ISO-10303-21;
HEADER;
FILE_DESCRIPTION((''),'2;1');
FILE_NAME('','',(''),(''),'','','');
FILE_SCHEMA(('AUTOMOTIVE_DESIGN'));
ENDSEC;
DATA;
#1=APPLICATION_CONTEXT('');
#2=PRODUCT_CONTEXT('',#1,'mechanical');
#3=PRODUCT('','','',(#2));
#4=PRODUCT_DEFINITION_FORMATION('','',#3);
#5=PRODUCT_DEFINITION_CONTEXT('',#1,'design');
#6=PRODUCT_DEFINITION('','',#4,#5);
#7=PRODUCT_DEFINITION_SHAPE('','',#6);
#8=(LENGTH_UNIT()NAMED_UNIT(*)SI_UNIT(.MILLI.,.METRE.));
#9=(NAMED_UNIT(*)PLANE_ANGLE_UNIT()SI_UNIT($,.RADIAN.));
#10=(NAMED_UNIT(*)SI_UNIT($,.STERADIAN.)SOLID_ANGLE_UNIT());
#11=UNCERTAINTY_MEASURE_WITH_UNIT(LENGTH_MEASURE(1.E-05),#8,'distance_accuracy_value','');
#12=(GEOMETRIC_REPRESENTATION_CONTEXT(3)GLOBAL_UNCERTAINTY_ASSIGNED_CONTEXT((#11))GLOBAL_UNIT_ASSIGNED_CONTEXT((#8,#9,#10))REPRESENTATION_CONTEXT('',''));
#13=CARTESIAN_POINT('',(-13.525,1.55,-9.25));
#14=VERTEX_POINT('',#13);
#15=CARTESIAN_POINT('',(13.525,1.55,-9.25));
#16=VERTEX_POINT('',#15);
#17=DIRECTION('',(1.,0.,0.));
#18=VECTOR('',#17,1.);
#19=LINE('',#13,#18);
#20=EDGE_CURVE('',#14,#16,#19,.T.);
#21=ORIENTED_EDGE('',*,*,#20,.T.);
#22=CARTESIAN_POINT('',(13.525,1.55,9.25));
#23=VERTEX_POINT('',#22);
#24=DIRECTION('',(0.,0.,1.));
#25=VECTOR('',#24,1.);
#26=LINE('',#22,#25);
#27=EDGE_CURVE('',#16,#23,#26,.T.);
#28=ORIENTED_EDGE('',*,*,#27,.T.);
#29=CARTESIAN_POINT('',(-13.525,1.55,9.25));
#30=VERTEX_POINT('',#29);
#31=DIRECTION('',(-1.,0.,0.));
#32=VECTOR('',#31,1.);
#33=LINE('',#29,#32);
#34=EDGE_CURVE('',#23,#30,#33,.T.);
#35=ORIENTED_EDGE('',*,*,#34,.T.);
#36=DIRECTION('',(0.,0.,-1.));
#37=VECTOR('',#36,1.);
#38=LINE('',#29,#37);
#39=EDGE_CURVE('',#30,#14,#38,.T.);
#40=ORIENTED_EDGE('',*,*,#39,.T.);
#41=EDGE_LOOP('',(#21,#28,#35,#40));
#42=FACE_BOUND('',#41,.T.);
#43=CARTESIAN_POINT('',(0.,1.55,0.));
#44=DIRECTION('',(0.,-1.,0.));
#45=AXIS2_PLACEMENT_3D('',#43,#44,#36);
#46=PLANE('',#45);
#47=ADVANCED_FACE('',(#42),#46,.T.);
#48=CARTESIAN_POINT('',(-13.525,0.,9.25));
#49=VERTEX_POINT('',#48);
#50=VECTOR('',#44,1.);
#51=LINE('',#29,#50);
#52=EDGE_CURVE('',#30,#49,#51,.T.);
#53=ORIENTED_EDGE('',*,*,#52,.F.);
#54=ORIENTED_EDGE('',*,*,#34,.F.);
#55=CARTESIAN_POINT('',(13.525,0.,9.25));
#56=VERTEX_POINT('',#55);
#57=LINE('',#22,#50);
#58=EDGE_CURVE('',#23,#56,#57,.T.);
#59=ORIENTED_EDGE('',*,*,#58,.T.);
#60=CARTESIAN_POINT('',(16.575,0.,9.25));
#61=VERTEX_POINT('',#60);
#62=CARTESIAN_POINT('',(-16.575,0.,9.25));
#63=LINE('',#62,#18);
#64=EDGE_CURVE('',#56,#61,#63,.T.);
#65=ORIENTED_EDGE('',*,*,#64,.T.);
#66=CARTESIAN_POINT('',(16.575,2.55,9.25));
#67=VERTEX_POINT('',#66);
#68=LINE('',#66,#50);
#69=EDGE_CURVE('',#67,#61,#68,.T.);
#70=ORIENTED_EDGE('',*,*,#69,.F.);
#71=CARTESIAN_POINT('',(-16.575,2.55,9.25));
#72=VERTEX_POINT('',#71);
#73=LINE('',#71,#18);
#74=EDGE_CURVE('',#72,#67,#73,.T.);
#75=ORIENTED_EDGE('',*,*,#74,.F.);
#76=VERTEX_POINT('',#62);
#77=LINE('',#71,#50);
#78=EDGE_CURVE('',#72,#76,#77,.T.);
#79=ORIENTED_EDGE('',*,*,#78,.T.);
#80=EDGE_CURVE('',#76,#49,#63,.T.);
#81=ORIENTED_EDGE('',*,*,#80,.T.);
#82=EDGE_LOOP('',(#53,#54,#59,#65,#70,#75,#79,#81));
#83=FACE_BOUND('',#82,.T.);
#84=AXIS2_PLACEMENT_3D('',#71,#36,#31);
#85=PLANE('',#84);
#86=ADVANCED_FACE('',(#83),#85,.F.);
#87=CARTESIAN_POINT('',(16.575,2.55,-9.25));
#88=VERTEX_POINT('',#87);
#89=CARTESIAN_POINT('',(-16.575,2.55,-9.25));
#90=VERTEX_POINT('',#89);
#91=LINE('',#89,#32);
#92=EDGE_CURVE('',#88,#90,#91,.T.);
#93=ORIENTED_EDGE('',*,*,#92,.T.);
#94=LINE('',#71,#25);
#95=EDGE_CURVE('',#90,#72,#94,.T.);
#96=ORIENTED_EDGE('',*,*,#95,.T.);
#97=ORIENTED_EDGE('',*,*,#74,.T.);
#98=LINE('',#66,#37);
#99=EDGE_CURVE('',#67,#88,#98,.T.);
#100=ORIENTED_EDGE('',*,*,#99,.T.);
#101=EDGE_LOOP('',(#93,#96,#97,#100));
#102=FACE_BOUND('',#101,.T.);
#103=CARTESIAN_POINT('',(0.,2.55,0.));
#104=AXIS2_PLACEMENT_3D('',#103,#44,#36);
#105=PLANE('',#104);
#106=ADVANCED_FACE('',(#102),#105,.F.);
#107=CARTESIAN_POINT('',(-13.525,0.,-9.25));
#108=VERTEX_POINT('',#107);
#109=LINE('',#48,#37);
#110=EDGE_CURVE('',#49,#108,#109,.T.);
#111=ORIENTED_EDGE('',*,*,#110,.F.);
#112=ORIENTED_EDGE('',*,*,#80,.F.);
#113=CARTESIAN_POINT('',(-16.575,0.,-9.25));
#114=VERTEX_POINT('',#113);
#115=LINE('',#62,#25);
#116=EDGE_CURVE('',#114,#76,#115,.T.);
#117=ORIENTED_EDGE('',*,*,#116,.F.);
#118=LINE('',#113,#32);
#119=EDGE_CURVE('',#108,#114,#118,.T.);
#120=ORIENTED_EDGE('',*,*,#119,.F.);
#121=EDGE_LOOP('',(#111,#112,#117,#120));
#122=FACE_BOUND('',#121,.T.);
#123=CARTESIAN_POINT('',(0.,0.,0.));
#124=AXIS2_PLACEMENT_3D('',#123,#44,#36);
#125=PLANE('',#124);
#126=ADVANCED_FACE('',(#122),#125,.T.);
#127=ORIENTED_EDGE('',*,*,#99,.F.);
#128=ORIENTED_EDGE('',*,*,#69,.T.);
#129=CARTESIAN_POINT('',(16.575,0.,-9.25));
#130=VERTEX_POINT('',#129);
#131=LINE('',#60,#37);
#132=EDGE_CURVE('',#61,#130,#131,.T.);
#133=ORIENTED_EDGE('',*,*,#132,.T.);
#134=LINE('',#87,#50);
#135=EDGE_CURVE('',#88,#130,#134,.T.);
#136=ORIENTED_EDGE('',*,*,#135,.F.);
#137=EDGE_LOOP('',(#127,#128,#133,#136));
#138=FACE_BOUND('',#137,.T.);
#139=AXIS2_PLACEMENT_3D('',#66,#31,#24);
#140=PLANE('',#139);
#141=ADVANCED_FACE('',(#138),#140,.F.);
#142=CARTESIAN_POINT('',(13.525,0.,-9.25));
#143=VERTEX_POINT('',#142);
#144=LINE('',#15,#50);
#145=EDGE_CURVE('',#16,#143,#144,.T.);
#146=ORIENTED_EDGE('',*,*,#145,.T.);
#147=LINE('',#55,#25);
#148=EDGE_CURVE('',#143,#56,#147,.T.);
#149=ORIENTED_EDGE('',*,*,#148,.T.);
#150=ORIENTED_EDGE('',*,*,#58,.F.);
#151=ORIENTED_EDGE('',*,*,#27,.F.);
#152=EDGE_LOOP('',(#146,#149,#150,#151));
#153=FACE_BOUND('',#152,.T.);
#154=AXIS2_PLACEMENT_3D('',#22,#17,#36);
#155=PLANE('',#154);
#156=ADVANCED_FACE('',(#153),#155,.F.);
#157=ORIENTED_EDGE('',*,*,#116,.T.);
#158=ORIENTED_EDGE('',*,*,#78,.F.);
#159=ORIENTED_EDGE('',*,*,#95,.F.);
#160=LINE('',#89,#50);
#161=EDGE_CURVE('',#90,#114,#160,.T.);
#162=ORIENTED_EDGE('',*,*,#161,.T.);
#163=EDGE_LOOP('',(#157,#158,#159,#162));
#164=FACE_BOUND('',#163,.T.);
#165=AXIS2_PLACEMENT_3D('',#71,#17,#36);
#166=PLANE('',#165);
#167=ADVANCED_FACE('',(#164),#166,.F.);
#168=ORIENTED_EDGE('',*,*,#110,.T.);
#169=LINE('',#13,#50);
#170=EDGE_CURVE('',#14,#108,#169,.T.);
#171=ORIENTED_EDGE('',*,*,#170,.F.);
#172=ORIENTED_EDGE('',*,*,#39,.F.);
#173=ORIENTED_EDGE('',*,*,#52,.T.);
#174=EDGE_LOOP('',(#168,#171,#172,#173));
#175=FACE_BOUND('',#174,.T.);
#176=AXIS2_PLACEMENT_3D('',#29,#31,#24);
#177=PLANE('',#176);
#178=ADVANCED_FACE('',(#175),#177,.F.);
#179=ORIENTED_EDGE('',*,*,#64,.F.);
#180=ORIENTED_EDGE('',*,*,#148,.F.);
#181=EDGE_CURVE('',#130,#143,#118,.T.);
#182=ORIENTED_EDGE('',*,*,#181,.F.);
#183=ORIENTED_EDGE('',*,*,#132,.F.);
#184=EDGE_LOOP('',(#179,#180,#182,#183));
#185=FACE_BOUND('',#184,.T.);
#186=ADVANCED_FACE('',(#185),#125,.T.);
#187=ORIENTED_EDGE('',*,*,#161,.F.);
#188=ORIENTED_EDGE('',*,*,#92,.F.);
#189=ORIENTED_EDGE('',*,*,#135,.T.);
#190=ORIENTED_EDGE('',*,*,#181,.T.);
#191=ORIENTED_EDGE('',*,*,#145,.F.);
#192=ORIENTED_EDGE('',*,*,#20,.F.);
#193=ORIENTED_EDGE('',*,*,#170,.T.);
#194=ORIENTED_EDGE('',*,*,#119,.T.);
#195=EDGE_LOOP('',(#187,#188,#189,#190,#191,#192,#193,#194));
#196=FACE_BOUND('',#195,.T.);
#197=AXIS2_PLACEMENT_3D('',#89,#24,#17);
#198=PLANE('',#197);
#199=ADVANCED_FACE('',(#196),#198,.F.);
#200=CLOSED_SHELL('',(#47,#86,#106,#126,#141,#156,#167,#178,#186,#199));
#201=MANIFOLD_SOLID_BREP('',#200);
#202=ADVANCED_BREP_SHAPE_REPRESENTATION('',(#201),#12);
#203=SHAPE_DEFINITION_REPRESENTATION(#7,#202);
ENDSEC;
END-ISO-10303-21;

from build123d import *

# Parameters (mm, degrees)
SKETCH1_W           = 33.15
SKETCH1_H           = 18.5
BOSS_EXTRUDE1_DEPTH = 2.55
SKETCH2_W           = 27.05
SKETCH2_H           = 18.5
CUT_EXTRUDE1_DEPTH  = 1.55


with BuildPart() as part:
    # Sketch1 → Boss-Extrude1 (new body)
    with BuildSketch(Plane(origin=(0, 0, 0), x_dir=(1, 0, 0), z_dir=(0, 1, 0))):
        Rectangle(SKETCH1_W, SKETCH1_H)
    extrude(amount=BOSS_EXTRUDE1_DEPTH)

    # Sketch2 → Cut-Extrude1 (cut)
    with BuildSketch(Plane.XZ):
        Rectangle(SKETCH2_W, SKETCH2_H)
    extrude(amount=-CUT_EXTRUDE1_DEPTH, mode=Mode.SUBTRACT)


solid = part.part
